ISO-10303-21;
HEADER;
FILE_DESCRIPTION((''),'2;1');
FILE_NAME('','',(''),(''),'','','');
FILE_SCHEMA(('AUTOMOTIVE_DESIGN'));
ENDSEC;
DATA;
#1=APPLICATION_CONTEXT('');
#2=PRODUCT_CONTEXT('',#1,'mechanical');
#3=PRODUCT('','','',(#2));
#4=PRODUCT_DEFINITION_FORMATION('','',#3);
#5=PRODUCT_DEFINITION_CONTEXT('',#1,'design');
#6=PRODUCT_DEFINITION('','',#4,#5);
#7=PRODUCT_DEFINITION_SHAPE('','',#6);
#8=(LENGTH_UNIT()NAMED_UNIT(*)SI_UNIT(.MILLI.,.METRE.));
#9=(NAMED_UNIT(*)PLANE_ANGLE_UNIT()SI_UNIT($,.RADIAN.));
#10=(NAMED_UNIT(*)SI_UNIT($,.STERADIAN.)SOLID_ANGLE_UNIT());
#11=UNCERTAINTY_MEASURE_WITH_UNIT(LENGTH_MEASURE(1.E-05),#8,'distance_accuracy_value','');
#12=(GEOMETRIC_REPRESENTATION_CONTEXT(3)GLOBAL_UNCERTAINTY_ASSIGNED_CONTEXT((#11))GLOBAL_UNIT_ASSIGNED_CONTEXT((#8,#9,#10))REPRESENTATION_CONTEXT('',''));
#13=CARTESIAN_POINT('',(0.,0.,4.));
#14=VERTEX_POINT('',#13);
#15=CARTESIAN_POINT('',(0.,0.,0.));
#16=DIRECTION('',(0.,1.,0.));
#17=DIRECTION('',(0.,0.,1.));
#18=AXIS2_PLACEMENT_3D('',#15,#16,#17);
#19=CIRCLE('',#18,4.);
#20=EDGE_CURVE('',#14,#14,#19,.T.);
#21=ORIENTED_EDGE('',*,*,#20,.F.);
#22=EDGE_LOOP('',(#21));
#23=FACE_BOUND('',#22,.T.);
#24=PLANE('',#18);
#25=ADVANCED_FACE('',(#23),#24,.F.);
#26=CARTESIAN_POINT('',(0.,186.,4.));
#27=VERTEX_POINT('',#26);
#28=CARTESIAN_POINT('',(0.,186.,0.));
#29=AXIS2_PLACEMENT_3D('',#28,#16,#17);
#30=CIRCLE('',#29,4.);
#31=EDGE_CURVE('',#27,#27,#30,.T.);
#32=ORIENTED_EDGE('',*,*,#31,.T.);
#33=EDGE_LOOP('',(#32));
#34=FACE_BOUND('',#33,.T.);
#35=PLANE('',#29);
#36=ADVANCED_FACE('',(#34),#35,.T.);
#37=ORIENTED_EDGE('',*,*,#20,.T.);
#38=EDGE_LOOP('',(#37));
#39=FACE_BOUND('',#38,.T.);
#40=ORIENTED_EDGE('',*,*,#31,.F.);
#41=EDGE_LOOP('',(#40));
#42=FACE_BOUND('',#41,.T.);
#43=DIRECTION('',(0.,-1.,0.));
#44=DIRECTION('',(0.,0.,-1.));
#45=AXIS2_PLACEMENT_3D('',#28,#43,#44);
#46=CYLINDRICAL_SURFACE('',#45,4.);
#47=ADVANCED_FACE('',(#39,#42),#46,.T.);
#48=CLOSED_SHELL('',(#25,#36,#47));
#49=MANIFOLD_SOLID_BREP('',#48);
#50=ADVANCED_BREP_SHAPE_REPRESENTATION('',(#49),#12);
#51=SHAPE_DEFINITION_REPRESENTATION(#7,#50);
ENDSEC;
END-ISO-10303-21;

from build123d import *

# Parameters (mm, degrees)
CROQUIS1_R              = 4
SALIENTE_EXTRUIR1_DEPTH = 186


with BuildPart() as part:
    # Croquis1 → Saliente-Extruir1 (new body)
    with BuildSketch(Plane(origin=(0, 0, 0), x_dir=(1, 0, 0), z_dir=(0, 1, 0))):
        Circle(CROQUIS1_R)
    extrude(amount=SALIENTE_EXTRUIR1_DEPTH)


solid = part.part
